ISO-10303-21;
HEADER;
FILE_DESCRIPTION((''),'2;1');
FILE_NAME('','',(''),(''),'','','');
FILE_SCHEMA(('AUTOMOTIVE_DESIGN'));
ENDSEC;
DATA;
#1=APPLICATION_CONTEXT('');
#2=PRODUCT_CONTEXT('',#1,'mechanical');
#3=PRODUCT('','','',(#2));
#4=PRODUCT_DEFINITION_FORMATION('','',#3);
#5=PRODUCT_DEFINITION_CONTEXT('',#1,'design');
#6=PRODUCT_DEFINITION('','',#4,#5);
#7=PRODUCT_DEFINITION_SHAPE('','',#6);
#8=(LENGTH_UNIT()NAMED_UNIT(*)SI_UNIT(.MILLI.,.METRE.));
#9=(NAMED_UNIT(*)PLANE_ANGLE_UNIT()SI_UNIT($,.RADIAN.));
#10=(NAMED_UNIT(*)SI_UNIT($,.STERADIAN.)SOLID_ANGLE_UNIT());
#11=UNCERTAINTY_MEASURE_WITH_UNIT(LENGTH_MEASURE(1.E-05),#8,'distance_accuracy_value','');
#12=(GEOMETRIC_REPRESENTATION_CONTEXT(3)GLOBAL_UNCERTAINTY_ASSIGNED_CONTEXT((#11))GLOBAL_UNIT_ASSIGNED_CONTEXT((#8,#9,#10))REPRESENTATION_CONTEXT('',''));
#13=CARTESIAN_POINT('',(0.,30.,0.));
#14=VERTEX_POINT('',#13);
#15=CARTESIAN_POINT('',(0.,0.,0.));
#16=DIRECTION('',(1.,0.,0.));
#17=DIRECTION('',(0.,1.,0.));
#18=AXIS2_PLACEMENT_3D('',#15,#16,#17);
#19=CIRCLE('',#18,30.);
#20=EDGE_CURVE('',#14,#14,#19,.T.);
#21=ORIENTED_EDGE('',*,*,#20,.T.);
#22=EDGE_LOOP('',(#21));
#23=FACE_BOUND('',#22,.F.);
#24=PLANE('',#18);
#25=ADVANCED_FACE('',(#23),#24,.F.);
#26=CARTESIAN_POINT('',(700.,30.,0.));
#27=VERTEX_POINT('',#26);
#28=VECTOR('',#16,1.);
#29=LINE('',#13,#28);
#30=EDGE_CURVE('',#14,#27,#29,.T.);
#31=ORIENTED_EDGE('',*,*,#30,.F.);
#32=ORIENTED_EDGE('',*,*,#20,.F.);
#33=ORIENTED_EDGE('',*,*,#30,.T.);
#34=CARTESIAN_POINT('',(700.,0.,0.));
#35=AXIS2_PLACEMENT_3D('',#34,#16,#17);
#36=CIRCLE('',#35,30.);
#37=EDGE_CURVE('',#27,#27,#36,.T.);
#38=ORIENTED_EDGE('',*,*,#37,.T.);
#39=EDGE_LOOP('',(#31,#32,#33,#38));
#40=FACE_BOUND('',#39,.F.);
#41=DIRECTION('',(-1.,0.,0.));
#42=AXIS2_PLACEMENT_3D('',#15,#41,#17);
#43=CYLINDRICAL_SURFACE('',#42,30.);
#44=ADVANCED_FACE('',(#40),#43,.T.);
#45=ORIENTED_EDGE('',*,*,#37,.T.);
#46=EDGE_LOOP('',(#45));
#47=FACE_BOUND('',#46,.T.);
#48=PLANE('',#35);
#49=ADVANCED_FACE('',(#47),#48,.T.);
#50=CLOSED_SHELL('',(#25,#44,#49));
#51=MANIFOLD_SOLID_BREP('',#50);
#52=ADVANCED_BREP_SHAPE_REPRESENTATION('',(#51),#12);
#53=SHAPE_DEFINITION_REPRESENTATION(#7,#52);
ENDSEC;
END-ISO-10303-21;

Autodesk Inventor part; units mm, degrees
ref_plane "YZ Plane" through (0, 0, 0) normal (1, 0, 0) x (0, 1, 0)
ref_plane "XZ Plane" through (0, 0, 0) normal (0, 1, 0) x (-1, 0, 0)
ref_plane "XY Plane" through (0, 0, 0) normal (0, 0, 1) x (1, 0, 0)
sketch "草圖1" plane through (0, 0, 0) normal (1, 0, 0) x (0, 1, 0)
  circle A0 centre (0, 0) radius 30
  dimension "d0" = 60
extrude "擠出1" add sketch "草圖1" along normal blind 700
properties part number "夾緊支撐感"
